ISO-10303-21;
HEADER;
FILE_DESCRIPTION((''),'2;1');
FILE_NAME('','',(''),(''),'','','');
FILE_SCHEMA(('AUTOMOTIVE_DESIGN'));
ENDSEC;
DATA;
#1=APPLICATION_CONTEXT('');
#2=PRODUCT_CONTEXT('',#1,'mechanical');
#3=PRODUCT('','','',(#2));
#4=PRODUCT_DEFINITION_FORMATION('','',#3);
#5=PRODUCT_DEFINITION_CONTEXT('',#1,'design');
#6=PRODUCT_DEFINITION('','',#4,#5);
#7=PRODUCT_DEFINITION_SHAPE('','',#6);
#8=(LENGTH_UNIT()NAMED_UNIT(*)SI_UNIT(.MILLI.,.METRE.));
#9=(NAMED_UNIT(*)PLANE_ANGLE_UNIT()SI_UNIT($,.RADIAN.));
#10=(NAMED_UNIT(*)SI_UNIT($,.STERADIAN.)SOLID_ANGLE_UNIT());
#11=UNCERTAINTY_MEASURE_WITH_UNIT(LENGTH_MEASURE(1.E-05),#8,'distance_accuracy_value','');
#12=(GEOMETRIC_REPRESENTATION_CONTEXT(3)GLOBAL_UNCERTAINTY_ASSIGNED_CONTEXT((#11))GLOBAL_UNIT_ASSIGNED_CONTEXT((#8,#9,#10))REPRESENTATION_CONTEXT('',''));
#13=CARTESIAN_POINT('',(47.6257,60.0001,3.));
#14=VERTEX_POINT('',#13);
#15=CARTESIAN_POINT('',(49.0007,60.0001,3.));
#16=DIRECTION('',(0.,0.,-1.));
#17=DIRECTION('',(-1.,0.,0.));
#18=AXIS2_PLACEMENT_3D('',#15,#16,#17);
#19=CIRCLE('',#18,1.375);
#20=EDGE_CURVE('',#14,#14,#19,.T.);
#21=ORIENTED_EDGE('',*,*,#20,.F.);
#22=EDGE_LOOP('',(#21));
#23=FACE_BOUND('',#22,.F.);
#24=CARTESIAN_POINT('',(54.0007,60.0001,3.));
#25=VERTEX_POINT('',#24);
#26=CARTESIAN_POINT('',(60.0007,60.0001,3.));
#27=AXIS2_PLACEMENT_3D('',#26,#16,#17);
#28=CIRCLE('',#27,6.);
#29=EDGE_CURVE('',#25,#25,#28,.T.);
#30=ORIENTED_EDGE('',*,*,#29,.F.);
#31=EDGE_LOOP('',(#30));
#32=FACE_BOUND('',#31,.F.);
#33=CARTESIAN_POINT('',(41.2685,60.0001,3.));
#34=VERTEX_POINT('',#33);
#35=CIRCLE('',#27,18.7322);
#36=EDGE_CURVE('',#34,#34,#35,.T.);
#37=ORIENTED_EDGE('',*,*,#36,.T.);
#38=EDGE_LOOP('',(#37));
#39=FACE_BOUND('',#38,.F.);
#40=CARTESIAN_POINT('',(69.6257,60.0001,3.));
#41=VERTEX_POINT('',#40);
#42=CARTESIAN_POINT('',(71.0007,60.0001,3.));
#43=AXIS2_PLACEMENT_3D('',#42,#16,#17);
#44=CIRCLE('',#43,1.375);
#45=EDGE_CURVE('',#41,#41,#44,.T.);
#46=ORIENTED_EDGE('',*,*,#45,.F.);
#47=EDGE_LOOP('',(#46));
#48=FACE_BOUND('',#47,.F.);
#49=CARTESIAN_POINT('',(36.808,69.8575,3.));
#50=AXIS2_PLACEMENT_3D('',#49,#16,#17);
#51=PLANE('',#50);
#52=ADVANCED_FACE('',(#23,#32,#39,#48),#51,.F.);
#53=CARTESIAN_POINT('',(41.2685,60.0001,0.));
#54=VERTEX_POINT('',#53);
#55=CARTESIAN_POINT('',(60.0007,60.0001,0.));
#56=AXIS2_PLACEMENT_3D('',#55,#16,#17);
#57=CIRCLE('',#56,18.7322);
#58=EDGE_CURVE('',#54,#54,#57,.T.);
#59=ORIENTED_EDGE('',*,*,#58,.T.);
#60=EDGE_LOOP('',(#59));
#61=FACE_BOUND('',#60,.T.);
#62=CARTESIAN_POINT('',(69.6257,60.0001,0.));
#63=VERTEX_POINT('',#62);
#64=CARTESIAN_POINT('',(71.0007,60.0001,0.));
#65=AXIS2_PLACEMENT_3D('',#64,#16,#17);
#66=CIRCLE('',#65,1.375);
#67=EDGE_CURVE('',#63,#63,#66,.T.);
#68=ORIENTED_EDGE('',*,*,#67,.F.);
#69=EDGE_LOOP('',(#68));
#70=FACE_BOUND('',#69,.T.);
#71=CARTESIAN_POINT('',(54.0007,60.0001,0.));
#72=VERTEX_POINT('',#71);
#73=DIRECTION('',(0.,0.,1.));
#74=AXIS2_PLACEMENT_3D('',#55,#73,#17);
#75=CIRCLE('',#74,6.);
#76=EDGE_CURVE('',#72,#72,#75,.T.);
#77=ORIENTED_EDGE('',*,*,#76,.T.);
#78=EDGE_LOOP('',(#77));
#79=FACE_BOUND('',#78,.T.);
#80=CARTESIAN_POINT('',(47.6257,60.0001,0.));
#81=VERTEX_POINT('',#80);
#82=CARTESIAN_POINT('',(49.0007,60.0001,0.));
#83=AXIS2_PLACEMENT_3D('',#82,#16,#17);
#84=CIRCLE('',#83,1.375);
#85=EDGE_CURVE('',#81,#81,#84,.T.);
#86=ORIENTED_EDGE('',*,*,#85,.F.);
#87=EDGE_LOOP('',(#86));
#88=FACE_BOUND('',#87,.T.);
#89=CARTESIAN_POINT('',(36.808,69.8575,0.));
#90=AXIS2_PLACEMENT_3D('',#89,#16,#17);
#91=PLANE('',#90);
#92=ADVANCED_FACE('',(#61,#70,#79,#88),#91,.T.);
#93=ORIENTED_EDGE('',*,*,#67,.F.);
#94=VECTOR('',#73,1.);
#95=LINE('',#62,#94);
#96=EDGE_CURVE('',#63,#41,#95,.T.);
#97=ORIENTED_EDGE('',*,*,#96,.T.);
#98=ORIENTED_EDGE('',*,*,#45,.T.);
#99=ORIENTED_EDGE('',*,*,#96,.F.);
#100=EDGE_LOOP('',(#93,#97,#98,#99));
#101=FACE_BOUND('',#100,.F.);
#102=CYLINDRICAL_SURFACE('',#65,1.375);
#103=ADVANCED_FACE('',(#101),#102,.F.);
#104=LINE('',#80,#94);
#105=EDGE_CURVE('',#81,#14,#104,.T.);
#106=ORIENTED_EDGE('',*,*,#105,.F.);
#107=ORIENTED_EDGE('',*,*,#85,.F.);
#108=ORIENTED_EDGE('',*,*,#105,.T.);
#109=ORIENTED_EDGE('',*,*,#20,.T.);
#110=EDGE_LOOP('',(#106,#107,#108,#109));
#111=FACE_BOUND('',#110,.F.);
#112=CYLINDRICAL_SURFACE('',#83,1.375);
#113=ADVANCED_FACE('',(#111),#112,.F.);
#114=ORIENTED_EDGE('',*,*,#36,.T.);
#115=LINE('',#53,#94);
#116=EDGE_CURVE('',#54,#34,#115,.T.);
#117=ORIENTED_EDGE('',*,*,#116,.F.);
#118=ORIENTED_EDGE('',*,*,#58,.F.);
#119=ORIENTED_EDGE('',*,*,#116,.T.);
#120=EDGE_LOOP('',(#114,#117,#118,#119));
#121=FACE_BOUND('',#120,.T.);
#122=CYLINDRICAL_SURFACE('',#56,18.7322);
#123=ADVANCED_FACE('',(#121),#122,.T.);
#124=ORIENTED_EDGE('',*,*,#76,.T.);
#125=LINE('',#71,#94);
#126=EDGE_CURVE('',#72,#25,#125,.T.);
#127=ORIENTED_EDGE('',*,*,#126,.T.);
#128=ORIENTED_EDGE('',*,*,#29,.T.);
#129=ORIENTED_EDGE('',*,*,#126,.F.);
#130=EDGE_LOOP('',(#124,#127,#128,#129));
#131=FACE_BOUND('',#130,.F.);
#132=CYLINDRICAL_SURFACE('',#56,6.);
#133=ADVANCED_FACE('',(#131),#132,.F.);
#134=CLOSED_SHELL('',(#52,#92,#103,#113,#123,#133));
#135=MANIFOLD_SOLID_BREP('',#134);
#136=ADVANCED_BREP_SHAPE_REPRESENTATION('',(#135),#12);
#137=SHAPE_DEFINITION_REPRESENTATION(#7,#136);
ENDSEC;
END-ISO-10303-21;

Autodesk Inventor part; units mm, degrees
ref_plane "YZ Plane" through (0, 0, 0) normal (1, 0, 0) x (0, 1, 0)
ref_plane "XZ Plane" through (0, 0, 0) normal (0, 1, 0) x (-1, 0, 0)
ref_plane "XY Plane" through (0, 0, 0) normal (0, 0, 1) x (1, 0, 0)
sketch "Sketch1" plane through (36.808, 69.8575, 0) normal (0, 0, -1) x (-1, 0, 0)
  circle A0 centre (-23.1927, -9.8574) radius 18.7322
  circle A1 centre (-23.1927, -9.8574) radius 17.0007
  point P0 (36.808, -69.8575)
extrude "Extrusion1" add sketch "Sketch1" against normal blind 3 contours A0 | A1
sketch "Sketch2" plane through (60.0007, 60.0001, 0) normal (0, 0, -1) x (-1, 0, 0)
  circle A0 centre (0, 0) radius 18.7322 projected
  circle A1 centre (0, 0) radius 16
  circle A2 centre (0, 0) radius 6
  circle A3 centre (-11, 0) radius 1.375
  circle A4 centre (11, 0) radius 1.375
  line L0 (0, 16) -> (0, -16)
  point P0 (60.0007, -60.0001)
  dimension "d2" = 32
  dimension "d3" = 12
  dimension "d4" = 2.75
  dimension "d5" = 22
extrude "Extrusion2" cut sketch "Sketch2" against normal blind 3 contours L0 A2 | A2 L0 | A3 | A4
properties part number "protection_cover_back"
